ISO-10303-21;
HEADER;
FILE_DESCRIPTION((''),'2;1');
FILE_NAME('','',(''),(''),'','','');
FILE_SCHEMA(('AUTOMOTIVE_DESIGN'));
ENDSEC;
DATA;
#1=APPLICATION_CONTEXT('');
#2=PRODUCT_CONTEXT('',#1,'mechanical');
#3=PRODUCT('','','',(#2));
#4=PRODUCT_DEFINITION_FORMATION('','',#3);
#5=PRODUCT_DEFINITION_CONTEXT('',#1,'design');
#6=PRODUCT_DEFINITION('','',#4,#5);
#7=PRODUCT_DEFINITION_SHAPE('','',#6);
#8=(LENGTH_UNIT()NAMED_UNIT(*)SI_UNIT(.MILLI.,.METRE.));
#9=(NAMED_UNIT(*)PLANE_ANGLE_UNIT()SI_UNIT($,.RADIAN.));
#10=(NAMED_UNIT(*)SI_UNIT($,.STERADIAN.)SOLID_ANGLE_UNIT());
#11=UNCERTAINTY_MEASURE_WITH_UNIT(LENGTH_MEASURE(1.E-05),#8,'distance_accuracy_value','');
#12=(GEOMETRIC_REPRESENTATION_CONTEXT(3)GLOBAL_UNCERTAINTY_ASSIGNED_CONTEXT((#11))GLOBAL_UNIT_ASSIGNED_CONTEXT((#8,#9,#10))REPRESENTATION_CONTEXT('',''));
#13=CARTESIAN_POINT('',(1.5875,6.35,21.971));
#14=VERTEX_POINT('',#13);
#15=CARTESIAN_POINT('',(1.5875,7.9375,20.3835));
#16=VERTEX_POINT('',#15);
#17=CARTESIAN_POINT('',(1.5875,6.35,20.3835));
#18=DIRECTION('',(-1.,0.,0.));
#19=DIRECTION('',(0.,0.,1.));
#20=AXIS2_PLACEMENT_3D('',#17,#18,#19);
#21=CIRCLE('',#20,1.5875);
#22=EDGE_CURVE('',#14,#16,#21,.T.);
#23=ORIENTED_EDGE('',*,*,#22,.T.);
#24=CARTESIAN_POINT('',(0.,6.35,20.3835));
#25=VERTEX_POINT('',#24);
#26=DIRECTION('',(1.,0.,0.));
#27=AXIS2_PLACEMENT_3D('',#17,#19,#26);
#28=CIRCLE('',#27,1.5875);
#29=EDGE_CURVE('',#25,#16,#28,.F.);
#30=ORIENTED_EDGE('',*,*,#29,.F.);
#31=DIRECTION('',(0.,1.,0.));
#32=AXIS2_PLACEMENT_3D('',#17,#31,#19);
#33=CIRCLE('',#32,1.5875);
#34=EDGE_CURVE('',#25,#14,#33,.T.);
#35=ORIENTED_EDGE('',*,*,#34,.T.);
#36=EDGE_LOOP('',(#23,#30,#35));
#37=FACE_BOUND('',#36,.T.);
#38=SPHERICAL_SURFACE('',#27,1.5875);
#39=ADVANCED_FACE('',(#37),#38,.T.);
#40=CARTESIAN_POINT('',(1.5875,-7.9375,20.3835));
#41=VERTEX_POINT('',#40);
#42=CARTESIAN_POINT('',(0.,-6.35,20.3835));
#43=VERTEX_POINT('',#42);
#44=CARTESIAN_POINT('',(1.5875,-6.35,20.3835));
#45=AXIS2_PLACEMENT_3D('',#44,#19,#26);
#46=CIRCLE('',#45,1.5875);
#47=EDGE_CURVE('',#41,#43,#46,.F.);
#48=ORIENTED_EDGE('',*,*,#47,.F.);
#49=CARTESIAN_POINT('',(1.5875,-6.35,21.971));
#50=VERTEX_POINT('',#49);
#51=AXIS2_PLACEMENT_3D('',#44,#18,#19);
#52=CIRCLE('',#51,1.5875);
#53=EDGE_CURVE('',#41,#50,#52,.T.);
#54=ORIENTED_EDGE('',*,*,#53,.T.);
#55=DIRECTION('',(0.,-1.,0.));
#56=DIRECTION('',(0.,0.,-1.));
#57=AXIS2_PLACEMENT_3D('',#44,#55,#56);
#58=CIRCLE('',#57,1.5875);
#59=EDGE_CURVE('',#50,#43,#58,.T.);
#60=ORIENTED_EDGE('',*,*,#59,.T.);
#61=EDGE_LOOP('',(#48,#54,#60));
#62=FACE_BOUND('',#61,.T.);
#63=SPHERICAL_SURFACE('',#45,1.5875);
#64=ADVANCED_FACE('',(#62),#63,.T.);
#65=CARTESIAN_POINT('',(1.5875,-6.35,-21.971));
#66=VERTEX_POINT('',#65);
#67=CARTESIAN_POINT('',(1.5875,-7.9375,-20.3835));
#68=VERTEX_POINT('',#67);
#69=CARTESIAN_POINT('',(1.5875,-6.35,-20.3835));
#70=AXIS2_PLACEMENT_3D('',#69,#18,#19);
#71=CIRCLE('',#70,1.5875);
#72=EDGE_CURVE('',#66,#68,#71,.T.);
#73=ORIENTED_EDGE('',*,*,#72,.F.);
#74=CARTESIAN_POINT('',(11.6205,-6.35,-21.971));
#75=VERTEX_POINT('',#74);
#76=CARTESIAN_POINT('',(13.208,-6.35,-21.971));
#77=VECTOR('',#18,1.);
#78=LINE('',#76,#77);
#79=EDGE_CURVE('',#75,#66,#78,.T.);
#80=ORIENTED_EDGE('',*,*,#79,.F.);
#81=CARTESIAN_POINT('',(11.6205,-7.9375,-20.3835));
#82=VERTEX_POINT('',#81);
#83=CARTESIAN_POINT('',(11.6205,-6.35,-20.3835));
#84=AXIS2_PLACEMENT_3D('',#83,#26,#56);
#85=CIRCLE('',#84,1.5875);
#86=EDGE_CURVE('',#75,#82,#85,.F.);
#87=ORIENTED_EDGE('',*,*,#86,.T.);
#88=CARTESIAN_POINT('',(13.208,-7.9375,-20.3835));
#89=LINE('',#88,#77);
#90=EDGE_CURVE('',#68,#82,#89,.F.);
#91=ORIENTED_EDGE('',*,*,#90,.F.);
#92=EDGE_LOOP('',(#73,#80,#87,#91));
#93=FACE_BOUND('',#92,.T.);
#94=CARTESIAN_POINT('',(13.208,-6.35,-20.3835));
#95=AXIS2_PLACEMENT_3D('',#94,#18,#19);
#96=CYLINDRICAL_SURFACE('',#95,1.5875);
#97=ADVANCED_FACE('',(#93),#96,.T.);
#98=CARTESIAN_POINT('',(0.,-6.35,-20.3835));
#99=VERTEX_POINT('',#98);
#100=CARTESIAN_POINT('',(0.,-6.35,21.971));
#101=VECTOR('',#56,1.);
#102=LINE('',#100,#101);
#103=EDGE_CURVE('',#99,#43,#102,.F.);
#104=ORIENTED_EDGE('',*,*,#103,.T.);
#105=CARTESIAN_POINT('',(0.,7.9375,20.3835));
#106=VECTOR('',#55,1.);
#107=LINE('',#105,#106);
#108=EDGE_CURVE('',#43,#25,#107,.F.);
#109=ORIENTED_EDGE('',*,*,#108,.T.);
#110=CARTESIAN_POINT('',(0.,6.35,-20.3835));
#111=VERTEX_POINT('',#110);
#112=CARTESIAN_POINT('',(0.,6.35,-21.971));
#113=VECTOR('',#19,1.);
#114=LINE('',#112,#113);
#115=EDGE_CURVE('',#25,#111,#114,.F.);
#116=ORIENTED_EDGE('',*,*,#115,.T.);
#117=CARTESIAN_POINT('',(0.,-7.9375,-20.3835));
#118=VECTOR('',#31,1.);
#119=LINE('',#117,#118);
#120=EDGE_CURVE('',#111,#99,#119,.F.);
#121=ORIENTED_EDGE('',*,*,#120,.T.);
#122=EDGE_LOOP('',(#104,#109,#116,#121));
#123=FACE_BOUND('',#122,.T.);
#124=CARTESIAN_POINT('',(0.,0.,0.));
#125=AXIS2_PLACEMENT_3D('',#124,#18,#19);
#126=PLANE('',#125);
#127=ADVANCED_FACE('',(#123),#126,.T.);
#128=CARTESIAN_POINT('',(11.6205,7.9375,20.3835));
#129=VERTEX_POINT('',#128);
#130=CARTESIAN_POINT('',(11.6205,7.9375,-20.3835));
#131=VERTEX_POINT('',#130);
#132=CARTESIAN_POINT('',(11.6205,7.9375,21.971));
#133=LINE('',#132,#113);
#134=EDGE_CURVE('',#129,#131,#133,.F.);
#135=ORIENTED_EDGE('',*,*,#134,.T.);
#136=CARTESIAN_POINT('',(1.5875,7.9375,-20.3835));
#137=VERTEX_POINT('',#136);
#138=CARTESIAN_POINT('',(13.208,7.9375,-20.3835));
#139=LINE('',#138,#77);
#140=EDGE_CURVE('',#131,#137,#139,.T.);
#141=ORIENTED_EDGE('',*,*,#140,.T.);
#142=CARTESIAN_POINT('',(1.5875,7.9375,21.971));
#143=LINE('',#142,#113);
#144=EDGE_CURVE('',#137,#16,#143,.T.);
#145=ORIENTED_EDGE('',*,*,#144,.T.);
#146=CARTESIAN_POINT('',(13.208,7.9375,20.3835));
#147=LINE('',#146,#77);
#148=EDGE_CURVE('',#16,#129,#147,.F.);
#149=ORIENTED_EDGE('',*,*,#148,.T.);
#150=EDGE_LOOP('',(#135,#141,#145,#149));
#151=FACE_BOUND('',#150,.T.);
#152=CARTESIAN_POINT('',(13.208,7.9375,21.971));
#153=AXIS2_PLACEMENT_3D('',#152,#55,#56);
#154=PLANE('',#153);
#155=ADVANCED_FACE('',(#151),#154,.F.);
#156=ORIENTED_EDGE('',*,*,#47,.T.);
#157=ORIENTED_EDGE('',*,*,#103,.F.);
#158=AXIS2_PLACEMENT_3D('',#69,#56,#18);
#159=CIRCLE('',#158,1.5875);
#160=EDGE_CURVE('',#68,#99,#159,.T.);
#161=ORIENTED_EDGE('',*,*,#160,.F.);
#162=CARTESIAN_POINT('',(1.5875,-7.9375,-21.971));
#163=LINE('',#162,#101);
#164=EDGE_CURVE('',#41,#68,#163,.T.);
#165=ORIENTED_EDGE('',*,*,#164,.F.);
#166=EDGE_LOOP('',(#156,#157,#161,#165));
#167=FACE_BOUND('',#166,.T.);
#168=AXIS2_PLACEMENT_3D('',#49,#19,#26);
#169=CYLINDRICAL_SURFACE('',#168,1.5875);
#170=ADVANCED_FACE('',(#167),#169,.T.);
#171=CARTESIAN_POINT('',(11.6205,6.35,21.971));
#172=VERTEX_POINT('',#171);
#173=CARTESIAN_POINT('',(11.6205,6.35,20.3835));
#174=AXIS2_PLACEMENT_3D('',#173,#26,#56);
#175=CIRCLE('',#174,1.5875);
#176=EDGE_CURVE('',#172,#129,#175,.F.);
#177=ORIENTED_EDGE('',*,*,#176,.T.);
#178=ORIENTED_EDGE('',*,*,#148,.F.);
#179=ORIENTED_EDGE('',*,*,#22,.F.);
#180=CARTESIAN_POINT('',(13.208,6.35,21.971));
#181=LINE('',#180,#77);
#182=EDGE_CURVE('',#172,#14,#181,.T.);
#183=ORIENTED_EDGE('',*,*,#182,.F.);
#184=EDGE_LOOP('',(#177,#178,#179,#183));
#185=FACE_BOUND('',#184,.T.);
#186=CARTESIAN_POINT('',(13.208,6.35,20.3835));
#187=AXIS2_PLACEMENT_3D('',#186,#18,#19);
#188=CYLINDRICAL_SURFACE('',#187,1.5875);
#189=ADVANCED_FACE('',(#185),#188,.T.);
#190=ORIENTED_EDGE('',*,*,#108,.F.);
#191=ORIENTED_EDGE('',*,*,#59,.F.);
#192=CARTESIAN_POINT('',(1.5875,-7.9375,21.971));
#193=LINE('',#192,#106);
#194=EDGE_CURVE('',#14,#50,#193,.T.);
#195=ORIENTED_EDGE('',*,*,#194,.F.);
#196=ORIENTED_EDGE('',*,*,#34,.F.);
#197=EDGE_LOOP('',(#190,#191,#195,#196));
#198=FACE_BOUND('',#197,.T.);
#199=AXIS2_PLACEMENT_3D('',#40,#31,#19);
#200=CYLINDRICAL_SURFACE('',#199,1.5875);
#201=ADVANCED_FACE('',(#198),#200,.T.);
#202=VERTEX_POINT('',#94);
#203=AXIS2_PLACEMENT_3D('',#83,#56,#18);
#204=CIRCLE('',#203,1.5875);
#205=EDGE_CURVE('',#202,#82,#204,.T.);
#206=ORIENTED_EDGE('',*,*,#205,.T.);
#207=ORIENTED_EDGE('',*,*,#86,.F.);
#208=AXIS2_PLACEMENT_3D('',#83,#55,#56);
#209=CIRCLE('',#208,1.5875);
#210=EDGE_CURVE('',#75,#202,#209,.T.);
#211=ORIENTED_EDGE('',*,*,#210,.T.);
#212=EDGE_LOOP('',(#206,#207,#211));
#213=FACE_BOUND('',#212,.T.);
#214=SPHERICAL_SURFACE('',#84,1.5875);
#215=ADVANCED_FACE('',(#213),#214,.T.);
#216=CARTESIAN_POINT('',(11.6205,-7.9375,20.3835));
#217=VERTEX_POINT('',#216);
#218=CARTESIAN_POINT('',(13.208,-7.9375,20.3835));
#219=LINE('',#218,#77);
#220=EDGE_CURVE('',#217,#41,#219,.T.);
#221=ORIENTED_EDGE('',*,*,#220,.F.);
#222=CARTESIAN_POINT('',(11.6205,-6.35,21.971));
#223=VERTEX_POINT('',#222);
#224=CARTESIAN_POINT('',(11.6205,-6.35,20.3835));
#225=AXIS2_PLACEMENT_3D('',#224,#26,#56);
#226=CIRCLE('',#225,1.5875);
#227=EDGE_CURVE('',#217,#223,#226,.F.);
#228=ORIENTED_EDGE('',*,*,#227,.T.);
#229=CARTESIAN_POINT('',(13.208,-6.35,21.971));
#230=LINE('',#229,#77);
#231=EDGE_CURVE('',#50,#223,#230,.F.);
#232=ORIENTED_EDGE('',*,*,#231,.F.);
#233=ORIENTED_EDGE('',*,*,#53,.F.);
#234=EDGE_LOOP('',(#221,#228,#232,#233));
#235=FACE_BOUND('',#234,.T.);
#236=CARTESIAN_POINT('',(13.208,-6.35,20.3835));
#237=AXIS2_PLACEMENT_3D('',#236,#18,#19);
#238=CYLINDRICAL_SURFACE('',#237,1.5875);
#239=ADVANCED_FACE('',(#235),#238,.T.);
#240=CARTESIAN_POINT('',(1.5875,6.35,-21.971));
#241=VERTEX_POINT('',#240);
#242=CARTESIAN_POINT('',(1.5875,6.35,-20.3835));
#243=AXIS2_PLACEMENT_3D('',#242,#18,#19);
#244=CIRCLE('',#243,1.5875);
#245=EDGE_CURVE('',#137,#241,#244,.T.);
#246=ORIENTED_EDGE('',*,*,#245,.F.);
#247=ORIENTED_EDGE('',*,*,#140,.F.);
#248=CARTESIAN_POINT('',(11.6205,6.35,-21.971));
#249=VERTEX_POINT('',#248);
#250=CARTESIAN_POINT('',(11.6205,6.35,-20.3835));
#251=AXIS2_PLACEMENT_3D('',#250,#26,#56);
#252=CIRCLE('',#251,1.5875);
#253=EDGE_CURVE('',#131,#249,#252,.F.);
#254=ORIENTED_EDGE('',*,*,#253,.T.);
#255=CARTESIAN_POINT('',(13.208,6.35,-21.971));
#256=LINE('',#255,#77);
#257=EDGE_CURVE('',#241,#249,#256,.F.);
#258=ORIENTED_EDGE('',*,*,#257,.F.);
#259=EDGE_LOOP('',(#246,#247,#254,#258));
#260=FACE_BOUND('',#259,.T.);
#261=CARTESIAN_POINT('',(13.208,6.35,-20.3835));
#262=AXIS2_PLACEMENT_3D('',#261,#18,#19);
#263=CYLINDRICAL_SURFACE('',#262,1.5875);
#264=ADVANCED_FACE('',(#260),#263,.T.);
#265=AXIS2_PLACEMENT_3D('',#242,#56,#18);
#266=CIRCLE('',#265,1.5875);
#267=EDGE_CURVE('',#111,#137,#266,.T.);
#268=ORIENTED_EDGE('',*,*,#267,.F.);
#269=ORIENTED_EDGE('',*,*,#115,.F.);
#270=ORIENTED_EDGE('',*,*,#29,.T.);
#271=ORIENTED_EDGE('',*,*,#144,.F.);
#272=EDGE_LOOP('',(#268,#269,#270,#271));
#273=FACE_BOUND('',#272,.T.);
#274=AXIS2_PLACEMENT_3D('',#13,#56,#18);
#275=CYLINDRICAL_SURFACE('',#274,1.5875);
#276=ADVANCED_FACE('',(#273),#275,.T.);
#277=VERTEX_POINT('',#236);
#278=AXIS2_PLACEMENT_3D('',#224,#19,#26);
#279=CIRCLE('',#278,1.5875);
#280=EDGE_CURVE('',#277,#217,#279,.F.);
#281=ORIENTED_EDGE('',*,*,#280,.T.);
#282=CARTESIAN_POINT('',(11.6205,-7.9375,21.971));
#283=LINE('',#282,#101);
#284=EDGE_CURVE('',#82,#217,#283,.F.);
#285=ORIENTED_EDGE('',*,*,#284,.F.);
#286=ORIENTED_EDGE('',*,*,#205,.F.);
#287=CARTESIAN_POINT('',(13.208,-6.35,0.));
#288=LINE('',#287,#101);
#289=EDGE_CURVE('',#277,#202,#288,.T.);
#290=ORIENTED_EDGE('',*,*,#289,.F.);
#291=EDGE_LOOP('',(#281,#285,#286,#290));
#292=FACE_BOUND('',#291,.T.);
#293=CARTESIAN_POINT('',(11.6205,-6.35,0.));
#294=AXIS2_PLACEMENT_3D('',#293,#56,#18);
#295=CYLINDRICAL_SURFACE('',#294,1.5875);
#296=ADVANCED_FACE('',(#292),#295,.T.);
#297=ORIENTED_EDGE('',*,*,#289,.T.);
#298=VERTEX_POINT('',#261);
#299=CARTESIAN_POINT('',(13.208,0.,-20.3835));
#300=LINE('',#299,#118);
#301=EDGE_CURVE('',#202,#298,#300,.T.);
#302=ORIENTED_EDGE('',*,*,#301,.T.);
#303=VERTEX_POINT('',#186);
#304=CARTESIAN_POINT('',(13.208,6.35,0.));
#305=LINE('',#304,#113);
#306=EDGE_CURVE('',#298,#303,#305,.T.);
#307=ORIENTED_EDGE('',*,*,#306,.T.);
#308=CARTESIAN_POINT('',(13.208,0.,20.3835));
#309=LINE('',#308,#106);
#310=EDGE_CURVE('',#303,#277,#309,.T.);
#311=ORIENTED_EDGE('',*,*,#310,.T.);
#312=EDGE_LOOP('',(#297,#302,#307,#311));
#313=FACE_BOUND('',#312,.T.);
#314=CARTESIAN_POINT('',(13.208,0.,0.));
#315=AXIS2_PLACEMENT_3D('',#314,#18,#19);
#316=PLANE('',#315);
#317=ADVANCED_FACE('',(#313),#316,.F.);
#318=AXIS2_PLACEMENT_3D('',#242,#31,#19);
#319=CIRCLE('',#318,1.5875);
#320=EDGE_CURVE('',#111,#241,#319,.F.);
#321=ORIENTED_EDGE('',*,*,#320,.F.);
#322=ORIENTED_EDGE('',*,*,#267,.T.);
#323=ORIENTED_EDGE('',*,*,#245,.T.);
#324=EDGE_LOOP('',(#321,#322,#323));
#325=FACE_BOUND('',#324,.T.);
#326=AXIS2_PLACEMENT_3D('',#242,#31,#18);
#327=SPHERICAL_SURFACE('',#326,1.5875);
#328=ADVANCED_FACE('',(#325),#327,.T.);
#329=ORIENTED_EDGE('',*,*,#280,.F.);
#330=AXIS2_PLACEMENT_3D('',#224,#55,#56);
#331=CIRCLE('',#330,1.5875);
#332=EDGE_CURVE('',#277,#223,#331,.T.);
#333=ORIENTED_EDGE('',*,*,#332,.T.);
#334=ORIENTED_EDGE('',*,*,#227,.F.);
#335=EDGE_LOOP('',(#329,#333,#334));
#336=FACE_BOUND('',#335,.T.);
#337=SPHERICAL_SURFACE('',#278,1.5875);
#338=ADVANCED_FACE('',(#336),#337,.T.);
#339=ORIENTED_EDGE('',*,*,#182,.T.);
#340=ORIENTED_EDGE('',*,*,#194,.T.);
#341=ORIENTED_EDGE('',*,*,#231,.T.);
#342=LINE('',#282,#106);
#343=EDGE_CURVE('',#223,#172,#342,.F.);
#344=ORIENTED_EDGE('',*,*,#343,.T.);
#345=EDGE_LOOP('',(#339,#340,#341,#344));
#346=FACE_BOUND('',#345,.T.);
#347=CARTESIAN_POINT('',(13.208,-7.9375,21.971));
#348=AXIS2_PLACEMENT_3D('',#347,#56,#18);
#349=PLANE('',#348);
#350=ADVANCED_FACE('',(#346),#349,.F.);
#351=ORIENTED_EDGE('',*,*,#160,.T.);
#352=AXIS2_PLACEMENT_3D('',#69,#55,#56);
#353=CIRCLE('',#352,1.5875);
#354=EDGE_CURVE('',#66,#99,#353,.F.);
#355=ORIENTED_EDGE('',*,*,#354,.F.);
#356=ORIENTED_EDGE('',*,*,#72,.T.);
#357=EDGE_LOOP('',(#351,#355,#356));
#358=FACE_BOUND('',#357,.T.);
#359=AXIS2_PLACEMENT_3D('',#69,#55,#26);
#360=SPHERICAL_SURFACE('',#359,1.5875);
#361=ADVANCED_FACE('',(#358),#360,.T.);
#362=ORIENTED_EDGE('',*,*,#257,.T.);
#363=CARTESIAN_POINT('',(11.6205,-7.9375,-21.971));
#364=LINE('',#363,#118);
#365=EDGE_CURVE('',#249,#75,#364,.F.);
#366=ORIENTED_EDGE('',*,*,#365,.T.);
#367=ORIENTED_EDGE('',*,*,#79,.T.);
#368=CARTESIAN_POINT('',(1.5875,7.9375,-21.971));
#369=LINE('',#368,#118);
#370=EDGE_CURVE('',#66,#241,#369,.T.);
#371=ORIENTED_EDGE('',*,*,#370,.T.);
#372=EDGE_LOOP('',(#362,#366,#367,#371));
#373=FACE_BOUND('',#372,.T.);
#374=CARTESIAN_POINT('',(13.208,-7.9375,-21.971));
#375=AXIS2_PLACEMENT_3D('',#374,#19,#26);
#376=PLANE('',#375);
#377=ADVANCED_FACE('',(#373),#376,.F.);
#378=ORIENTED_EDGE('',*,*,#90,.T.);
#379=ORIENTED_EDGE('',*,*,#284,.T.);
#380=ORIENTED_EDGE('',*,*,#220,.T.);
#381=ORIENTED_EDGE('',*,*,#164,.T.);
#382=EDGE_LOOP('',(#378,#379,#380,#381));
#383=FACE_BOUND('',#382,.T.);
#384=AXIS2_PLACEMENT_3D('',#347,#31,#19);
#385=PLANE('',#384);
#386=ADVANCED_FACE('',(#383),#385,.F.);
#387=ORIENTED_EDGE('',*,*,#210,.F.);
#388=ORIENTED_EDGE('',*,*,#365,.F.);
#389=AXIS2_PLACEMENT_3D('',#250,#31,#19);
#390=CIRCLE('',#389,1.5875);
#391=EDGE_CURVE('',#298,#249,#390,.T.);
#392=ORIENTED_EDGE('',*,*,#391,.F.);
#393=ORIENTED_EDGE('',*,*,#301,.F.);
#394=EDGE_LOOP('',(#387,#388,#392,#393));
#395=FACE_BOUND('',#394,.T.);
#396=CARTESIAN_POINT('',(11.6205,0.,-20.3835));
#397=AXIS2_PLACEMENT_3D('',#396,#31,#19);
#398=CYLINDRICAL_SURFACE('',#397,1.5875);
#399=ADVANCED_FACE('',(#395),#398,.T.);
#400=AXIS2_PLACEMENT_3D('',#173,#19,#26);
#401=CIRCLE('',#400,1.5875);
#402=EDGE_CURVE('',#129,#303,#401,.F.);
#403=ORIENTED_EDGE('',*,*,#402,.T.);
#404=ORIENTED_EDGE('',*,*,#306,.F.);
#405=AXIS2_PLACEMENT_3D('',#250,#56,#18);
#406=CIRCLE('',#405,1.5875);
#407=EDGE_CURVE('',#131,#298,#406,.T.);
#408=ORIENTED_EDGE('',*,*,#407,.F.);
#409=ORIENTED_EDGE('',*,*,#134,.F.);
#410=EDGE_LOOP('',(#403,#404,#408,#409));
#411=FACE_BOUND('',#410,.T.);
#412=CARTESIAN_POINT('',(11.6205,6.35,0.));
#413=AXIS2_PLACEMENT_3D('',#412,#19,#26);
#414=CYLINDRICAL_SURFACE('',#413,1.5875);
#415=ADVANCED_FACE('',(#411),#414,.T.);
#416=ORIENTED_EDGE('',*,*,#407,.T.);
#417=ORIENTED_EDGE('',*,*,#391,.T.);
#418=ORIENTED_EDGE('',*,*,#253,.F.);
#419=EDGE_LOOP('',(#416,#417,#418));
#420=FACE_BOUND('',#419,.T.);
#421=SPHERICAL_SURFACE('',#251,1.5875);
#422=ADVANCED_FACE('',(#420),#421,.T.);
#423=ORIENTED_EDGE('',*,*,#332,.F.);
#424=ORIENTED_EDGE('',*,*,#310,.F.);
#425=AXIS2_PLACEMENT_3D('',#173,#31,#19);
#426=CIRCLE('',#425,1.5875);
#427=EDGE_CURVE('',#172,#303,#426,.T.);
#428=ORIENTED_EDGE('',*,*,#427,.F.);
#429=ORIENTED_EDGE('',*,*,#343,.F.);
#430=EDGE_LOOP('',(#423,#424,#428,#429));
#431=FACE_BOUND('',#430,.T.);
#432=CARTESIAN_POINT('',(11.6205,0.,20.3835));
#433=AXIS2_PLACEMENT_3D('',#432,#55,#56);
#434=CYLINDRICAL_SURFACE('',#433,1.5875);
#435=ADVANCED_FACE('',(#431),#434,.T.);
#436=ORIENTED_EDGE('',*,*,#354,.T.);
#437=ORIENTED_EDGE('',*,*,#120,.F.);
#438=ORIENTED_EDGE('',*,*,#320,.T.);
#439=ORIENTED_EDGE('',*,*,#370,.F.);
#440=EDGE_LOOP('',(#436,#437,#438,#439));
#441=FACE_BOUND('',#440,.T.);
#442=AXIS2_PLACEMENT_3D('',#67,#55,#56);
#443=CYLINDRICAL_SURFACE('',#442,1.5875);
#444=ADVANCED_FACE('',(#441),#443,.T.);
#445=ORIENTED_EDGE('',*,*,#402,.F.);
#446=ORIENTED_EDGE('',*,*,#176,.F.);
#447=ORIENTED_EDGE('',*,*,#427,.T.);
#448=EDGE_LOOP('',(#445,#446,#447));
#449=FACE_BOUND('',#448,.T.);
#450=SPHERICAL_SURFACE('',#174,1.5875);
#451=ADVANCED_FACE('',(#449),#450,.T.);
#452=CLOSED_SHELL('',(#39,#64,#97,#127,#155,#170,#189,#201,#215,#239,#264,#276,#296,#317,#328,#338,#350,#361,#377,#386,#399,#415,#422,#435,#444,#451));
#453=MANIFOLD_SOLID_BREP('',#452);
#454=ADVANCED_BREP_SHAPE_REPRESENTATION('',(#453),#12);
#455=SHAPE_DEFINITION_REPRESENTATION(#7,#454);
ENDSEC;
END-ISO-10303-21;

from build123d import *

# Parameters (mm, degrees)
SKETCH1_W           = 43.942
SKETCH1_H           = 15.875
BOSS_EXTRUDE1_DEPTH = 13.208
FILLET1_R           = 1.5875


with BuildPart() as part:
    # Sketch1 → Boss-Extrude1 (new body)
    with BuildSketch(Plane(origin=(0, 0, 0), x_dir=(0, 0, -1), z_dir=(1, 0, 0))):
        Rectangle(SKETCH1_W, SKETCH1_H)
    extrude(amount=BOSS_EXTRUDE1_DEPTH)

    # Fillet1
    fillet1_edges = [part.edges().sort_by_distance(p)[0] for p in [
        (13.208, 0, -21.971),
        (13.208, 7.9375, 0),
        (13.208, 0, 21.971),
        (0, 7.9375, 0),
        (0, 0, -21.971),
        (0, -7.9375, 0),
        (0, 0, 21.971),
        (6.604, 7.9375, 21.971),
        (6.604, 7.9375, -21.971),
        (6.604, -7.9375, -21.971),
        (6.604, -7.9375, 21.971),
        (13.208, -7.9375, 0),
    ]]
    fillet(fillet1_edges, radius=FILLET1_R)


solid = part.part
